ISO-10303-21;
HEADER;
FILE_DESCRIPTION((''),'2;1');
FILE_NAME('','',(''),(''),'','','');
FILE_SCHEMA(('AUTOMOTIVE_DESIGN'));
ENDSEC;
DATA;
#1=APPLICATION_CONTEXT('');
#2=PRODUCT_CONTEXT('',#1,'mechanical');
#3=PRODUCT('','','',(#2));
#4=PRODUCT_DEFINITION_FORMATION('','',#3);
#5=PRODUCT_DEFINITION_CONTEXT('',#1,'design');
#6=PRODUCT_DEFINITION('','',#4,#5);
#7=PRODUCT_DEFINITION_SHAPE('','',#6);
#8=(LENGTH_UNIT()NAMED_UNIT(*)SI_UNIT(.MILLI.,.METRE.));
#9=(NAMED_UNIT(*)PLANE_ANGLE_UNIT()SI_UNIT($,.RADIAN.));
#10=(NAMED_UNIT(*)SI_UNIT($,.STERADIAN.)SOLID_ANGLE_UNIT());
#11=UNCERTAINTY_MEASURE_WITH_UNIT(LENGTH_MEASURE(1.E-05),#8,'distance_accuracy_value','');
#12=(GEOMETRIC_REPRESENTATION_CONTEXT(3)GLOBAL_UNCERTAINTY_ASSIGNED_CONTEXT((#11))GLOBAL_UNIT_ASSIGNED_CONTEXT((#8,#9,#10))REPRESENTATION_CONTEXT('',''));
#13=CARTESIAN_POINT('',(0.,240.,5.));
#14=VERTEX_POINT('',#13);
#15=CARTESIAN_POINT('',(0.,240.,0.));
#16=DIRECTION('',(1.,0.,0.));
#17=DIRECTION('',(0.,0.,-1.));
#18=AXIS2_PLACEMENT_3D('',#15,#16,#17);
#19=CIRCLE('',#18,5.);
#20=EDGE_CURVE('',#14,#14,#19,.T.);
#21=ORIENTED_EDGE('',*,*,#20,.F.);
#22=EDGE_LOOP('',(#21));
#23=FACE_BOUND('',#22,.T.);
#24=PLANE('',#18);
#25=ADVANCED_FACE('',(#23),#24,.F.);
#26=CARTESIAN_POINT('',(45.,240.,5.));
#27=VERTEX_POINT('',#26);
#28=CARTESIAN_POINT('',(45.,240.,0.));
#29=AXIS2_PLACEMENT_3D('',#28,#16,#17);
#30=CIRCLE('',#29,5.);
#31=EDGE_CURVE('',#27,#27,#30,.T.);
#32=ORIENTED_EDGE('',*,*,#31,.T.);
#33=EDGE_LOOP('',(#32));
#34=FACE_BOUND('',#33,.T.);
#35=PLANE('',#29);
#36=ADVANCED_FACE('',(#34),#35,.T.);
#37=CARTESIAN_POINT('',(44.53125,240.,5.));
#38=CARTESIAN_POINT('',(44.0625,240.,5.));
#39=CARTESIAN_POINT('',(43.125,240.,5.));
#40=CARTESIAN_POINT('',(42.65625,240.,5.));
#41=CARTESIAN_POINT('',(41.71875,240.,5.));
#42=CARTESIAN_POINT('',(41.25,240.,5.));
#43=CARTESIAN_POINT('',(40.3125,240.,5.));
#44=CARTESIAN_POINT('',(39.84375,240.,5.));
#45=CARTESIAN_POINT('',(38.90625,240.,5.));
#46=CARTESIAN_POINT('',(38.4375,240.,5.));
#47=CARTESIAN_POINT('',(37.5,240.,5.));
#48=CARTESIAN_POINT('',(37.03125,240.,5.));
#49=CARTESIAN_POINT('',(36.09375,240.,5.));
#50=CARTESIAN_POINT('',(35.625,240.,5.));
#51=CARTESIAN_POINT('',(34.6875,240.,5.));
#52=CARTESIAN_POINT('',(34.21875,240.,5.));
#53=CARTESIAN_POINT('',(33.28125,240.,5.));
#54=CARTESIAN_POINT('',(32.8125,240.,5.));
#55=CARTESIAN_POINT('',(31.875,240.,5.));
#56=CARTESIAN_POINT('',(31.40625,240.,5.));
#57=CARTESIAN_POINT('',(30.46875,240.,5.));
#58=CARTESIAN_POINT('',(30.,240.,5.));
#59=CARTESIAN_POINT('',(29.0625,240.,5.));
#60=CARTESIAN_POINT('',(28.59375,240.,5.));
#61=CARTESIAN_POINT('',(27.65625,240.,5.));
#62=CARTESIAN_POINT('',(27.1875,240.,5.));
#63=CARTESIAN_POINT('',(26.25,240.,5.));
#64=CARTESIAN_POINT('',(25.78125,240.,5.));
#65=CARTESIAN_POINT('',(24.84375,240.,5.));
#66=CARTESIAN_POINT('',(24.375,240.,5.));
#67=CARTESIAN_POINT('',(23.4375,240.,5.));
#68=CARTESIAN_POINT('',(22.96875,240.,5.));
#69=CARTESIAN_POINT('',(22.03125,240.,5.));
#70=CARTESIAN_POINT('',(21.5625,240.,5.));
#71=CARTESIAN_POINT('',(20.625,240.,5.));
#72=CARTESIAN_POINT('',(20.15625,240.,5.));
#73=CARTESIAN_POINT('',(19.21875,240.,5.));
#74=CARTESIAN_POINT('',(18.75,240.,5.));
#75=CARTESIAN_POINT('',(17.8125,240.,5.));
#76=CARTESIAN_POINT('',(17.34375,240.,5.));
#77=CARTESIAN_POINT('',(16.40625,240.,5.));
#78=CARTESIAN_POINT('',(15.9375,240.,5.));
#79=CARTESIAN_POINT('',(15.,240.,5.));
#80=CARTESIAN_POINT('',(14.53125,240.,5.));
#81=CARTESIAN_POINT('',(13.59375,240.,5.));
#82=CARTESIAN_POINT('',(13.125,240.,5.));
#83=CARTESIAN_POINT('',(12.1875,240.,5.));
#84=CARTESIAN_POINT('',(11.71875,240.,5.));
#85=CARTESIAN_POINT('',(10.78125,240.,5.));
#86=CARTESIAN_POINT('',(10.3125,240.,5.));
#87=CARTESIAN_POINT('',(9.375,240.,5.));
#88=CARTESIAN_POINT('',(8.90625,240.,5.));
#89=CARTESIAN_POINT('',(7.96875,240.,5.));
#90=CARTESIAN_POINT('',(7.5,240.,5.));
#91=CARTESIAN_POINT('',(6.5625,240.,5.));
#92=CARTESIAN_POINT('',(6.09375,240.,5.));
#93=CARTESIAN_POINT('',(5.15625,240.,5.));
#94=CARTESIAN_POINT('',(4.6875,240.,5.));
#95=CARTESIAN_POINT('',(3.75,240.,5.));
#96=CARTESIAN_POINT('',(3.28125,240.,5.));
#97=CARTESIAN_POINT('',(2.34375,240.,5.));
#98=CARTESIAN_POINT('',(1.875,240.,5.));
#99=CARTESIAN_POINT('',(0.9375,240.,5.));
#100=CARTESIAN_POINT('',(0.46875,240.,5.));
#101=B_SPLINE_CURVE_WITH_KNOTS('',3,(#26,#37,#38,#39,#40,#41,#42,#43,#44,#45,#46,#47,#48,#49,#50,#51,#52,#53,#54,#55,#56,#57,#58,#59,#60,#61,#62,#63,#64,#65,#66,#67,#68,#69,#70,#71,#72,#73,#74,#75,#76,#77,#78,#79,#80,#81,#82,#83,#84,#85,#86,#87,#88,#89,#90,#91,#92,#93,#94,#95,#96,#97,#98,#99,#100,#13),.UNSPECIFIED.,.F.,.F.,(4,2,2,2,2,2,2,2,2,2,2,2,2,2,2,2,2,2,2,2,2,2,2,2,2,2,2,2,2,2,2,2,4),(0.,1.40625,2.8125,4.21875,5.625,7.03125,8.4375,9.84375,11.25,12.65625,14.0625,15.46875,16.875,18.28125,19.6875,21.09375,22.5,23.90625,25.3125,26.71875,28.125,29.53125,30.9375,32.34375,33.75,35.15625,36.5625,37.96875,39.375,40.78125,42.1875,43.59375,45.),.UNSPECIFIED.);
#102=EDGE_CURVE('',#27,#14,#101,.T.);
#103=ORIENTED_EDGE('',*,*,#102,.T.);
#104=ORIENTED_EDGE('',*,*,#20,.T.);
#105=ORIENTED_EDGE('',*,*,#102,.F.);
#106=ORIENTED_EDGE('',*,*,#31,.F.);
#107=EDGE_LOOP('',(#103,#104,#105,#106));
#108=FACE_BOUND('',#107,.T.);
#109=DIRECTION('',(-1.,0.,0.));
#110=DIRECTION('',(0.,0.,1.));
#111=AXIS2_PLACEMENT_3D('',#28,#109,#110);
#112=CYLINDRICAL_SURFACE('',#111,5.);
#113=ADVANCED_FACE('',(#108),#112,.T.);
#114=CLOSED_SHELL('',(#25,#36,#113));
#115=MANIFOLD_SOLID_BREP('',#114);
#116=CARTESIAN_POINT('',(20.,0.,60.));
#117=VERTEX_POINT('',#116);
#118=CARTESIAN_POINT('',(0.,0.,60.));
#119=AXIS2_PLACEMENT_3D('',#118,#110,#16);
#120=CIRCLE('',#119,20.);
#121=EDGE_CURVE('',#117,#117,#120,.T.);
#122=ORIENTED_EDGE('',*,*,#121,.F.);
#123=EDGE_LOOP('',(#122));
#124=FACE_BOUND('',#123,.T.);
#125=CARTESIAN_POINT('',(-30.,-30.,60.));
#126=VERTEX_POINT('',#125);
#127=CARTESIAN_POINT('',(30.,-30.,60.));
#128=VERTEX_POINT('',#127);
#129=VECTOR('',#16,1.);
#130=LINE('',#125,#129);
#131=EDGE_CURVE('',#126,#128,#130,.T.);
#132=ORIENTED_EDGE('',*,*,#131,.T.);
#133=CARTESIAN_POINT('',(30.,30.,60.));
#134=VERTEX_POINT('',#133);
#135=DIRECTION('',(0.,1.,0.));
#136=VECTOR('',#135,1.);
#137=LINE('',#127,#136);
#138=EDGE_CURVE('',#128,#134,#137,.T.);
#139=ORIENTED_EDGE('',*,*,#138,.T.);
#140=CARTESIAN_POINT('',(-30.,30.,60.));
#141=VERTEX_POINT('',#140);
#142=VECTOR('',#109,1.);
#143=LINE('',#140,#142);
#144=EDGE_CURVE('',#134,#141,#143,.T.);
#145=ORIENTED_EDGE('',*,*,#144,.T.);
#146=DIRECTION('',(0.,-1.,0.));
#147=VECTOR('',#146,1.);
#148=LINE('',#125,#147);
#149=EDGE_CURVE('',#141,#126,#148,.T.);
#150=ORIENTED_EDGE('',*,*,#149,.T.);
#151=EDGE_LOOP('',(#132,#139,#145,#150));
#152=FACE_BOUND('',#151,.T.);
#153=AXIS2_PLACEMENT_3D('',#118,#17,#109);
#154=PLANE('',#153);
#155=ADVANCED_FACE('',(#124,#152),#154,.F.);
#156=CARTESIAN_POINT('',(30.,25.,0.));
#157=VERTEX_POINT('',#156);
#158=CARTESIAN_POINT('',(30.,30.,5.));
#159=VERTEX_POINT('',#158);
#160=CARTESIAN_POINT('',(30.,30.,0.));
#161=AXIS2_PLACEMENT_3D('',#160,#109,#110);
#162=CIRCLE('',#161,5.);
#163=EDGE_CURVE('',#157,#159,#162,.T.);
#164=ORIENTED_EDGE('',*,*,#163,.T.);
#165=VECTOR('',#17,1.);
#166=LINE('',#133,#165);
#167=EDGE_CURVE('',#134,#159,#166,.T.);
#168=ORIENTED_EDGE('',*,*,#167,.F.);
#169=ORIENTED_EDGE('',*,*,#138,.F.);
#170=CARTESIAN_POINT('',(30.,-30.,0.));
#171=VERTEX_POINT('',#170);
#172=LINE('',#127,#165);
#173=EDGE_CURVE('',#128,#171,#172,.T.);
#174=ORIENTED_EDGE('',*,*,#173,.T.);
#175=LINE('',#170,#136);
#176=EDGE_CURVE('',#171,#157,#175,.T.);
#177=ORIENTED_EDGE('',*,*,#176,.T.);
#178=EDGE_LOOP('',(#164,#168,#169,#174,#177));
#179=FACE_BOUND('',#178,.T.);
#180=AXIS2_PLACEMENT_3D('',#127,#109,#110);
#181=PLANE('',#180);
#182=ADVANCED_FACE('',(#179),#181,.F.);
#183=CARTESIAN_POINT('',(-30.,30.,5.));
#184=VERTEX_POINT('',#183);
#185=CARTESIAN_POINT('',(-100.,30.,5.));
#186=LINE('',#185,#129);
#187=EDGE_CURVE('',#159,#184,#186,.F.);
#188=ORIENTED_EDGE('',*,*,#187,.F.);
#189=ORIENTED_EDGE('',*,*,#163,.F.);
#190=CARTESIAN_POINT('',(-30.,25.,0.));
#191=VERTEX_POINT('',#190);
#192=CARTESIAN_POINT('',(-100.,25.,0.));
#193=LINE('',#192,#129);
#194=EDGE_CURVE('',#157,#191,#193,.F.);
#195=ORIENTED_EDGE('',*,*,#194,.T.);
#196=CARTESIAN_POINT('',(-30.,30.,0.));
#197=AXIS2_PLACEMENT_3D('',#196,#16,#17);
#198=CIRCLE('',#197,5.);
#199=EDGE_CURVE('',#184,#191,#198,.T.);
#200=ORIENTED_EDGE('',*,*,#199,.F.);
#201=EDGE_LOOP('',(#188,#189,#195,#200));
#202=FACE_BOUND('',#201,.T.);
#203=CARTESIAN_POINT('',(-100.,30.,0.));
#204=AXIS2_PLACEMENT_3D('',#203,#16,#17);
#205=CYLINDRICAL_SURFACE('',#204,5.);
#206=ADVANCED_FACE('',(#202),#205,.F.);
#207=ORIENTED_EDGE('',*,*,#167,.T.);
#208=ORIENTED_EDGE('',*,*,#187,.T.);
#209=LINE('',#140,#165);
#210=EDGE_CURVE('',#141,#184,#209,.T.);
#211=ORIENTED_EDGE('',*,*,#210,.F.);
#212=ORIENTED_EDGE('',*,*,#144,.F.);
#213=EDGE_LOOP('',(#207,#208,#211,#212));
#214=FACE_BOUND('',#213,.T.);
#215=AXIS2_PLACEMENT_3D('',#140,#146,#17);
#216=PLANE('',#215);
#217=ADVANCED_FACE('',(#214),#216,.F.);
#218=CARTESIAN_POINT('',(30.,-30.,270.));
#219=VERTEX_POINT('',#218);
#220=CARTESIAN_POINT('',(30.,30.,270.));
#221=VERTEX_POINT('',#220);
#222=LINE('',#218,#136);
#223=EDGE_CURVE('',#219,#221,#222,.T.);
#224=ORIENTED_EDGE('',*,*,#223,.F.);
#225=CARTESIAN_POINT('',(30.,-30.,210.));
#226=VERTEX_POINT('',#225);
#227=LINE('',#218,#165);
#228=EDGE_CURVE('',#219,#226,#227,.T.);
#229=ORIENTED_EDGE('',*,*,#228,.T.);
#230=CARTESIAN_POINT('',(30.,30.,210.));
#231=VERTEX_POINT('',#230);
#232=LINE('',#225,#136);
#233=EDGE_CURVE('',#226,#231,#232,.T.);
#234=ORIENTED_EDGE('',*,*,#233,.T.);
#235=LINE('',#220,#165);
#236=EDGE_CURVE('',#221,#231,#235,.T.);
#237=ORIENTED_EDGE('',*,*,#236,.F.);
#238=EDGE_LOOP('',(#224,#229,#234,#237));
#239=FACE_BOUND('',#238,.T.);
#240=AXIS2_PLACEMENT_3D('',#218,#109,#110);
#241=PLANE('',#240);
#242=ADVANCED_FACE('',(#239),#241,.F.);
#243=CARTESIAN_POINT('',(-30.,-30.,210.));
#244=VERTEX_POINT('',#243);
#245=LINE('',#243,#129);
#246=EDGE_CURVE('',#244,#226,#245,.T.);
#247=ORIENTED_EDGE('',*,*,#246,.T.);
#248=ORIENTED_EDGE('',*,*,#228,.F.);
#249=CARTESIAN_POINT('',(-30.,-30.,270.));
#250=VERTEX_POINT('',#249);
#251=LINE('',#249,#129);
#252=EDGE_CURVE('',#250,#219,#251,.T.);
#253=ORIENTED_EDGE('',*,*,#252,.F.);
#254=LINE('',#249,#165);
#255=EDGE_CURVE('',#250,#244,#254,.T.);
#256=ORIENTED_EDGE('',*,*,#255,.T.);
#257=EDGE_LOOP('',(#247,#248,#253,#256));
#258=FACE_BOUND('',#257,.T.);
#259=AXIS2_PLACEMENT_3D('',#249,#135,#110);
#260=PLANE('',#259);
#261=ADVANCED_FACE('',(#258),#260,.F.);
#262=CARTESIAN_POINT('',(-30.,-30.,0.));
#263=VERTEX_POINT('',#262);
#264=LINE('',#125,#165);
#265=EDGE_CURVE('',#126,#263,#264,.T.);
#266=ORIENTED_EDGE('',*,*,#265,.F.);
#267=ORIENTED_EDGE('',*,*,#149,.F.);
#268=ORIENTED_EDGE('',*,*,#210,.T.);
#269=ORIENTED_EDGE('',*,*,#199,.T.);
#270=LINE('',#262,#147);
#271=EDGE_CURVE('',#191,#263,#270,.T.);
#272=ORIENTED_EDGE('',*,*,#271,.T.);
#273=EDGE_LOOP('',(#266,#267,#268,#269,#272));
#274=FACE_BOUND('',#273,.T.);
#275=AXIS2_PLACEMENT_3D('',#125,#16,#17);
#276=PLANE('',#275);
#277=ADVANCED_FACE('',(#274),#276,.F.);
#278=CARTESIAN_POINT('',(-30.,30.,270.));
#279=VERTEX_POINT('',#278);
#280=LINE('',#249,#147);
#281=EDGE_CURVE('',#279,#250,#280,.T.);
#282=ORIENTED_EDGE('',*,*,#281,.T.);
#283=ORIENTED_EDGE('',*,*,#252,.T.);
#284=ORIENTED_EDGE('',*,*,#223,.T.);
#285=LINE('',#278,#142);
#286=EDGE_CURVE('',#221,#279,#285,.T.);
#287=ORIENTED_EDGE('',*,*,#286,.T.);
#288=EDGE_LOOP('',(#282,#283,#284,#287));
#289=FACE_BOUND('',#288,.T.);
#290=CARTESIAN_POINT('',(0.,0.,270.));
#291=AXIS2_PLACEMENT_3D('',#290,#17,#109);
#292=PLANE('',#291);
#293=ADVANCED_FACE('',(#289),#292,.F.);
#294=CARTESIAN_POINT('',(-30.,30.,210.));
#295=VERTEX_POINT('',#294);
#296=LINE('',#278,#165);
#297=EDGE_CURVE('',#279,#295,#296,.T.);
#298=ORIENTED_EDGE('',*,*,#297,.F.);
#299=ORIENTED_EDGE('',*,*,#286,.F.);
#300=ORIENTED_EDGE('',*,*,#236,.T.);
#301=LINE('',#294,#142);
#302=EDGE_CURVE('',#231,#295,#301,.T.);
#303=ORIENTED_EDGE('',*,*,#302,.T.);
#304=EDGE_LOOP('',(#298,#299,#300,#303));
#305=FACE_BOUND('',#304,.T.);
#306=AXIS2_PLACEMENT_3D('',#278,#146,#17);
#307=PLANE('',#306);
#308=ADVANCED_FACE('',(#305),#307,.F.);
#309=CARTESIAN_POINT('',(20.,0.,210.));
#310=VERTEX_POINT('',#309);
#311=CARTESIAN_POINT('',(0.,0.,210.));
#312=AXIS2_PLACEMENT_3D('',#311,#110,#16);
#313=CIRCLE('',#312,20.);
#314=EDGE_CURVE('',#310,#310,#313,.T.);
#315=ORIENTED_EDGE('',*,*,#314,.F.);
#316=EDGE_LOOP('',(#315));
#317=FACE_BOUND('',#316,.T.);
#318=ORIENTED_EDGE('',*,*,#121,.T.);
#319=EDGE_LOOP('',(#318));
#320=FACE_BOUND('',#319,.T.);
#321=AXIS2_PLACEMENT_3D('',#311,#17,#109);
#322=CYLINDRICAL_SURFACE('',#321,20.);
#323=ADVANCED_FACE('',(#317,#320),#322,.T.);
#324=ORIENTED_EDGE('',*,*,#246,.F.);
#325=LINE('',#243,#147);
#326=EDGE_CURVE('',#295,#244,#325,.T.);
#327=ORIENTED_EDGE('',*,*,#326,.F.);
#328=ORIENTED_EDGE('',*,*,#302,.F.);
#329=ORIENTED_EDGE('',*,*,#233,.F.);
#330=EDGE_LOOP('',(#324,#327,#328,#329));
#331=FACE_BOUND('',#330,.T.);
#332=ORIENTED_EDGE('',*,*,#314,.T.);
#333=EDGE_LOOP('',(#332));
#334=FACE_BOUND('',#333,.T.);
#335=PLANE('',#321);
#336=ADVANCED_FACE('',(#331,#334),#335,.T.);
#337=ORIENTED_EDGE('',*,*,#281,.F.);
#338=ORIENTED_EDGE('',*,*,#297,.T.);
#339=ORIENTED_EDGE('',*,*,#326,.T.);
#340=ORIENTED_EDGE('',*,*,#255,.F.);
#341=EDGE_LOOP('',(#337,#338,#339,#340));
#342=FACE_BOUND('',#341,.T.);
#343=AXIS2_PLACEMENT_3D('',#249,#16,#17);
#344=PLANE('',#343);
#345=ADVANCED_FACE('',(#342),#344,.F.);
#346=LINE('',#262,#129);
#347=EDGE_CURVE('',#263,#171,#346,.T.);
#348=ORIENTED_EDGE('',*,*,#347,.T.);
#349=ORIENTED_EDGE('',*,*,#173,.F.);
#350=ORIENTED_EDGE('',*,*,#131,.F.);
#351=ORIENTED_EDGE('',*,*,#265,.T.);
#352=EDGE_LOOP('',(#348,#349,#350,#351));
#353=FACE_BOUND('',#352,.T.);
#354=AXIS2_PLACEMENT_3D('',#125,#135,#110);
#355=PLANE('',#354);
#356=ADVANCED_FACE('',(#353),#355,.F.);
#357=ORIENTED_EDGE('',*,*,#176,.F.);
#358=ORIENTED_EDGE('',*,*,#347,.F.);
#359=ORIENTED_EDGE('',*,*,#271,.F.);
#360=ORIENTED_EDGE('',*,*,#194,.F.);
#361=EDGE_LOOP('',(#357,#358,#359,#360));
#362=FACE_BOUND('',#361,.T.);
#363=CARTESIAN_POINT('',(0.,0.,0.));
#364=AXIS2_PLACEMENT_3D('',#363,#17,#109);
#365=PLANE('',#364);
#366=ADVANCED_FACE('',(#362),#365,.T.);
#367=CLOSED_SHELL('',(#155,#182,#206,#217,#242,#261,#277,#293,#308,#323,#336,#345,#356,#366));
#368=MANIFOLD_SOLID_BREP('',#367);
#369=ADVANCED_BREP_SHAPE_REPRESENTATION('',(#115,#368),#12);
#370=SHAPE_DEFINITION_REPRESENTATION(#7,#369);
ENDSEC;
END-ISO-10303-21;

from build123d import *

# Parameters (mm, degrees)
SKETCH1_W               = 60
SKETCH1_H               = 60
BOSS_EXTRUDE1_DEPTH     = 60
SKETCH2_R               = 20
BOSS_EXTRUDE2_DEPTH     = 150
SKETCH3_W               = 60
SKETCH3_H               = 60
BOSS_EXTRUDE3_DEPTH     = 60
CUT_EXTRUDE1_DEPTH      = 100
CUT_EXTRUDE1_DEPTH_BACK = 100
SKETCH4_R               = 5
SKETCH6_R               = 5
BOSS_EXTRUDE4_DEPTH     = 45


with BuildPart() as part:
    # Sketch1 → Boss-Extrude1 (new body)
    with BuildSketch(Plane.XY):
        Rectangle(SKETCH1_W, SKETCH1_H)
    extrude(amount=BOSS_EXTRUDE1_DEPTH)

    # Sketch2 → Boss-Extrude2 (add)
    with BuildSketch(Plane.XY.offset(60)):
        Circle(SKETCH2_R)
    extrude(amount=BOSS_EXTRUDE2_DEPTH)

    # Sketch3 → Boss-Extrude3 (add)
    with BuildSketch(Plane.XY.offset(210)):
        Rectangle(SKETCH3_W, SKETCH3_H)
    extrude(amount=BOSS_EXTRUDE3_DEPTH)

    # Sketch4 → Cut-Extrude1 (cut, two sides: drawn at the far end of the back side and taken through both)
    with BuildSketch(Plane(origin=(0, 0, 0), x_dir=(0, 0, -1), z_dir=(1, 0, 0)).offset(-CUT_EXTRUDE1_DEPTH_BACK)):
        with Locations((0, 30)):
            Circle(SKETCH4_R)
    extrude(amount=CUT_EXTRUDE1_DEPTH + CUT_EXTRUDE1_DEPTH_BACK, mode=Mode.SUBTRACT)


with BuildPart() as body_2:
    # Sketch6 → Boss-Extrude4 (new body)
    with BuildSketch(Plane(origin=(0, 0, 0), x_dir=(0, 0, -1), z_dir=(1, 0, 0))):
        with Locations((0, 240)):
            Circle(SKETCH6_R)
    extrude(amount=BOSS_EXTRUDE4_DEPTH)


solid = Compound([part.part, body_2.part])
